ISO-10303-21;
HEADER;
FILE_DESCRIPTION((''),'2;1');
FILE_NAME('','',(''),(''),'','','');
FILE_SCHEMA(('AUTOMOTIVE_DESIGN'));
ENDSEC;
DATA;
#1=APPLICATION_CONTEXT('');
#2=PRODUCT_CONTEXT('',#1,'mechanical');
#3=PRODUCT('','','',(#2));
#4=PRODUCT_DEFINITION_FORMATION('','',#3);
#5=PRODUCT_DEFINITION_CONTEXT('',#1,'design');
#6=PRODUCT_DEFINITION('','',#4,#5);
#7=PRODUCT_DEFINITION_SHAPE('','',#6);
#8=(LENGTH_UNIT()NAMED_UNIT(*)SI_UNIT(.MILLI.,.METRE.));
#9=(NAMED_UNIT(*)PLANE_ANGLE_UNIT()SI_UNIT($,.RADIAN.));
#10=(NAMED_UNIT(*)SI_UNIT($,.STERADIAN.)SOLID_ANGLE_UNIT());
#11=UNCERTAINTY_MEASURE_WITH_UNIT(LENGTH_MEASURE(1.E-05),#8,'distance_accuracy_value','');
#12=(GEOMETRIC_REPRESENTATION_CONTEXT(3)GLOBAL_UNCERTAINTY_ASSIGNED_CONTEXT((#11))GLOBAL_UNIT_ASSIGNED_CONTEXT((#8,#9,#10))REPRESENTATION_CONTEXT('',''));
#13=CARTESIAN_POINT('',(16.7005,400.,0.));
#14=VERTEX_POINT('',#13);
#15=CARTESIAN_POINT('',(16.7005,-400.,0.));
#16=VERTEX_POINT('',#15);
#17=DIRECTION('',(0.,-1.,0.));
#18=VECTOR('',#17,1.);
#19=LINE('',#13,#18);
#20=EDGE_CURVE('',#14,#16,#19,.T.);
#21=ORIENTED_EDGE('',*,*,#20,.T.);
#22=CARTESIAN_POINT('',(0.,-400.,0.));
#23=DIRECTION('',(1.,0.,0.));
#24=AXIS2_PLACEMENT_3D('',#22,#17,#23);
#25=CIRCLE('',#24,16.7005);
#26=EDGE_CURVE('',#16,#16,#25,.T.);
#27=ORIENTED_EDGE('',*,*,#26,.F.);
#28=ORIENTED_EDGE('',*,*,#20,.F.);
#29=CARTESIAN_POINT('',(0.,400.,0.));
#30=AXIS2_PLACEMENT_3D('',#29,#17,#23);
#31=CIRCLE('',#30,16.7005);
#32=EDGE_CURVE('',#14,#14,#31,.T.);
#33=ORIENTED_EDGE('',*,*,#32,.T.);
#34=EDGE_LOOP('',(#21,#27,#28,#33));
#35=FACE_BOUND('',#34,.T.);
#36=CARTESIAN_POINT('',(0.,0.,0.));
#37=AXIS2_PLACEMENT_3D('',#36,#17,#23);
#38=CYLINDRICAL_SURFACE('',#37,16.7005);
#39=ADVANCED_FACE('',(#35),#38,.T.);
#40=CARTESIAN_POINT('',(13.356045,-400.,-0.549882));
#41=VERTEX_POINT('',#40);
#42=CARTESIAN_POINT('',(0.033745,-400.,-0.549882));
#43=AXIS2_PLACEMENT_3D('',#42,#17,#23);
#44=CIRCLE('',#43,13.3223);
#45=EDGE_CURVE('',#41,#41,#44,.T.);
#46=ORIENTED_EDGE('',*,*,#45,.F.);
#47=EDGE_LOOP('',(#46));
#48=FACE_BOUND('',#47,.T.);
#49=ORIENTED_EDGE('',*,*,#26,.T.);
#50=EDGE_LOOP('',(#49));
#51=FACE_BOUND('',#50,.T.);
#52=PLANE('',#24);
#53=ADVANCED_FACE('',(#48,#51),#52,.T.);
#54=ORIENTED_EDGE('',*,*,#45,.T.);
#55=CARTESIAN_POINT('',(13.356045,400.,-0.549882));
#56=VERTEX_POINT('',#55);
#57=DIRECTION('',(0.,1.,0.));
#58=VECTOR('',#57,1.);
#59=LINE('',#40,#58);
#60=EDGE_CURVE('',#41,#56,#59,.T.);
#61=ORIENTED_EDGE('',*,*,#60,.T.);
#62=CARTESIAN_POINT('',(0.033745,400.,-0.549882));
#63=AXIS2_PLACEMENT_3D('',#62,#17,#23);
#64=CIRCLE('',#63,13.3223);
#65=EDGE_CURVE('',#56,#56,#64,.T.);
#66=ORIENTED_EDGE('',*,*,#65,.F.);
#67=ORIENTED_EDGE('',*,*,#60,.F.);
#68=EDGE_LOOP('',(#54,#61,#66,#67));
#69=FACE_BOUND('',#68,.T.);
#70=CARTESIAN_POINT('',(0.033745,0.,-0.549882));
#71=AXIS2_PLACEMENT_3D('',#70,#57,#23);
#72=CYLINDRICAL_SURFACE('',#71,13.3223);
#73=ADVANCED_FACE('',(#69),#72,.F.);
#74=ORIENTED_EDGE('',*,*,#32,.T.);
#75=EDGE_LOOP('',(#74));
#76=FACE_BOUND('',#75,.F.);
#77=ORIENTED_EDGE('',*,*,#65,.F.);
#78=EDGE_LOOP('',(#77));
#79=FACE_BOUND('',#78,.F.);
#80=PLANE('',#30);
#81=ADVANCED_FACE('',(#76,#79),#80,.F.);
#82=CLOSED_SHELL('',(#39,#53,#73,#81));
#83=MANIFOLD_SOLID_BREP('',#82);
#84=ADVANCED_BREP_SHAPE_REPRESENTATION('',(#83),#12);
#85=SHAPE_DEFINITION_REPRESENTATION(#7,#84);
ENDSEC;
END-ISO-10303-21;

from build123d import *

# Parameters (mm, degrees)
F0_R     = 16.7005
F0_R_2   = 13.3223
F1_DEPTH = 400


with BuildPart() as f1:
    # F0 (on Front) → F1 (new body, symmetric)
    with BuildSketch(Plane.XZ):
        Circle(F0_R)
        with Locations((0.033745, -0.549882)):
            Circle(F0_R_2, mode=Mode.SUBTRACT)
    extrude(amount=F1_DEPTH, both=True)


solid = f1.part
